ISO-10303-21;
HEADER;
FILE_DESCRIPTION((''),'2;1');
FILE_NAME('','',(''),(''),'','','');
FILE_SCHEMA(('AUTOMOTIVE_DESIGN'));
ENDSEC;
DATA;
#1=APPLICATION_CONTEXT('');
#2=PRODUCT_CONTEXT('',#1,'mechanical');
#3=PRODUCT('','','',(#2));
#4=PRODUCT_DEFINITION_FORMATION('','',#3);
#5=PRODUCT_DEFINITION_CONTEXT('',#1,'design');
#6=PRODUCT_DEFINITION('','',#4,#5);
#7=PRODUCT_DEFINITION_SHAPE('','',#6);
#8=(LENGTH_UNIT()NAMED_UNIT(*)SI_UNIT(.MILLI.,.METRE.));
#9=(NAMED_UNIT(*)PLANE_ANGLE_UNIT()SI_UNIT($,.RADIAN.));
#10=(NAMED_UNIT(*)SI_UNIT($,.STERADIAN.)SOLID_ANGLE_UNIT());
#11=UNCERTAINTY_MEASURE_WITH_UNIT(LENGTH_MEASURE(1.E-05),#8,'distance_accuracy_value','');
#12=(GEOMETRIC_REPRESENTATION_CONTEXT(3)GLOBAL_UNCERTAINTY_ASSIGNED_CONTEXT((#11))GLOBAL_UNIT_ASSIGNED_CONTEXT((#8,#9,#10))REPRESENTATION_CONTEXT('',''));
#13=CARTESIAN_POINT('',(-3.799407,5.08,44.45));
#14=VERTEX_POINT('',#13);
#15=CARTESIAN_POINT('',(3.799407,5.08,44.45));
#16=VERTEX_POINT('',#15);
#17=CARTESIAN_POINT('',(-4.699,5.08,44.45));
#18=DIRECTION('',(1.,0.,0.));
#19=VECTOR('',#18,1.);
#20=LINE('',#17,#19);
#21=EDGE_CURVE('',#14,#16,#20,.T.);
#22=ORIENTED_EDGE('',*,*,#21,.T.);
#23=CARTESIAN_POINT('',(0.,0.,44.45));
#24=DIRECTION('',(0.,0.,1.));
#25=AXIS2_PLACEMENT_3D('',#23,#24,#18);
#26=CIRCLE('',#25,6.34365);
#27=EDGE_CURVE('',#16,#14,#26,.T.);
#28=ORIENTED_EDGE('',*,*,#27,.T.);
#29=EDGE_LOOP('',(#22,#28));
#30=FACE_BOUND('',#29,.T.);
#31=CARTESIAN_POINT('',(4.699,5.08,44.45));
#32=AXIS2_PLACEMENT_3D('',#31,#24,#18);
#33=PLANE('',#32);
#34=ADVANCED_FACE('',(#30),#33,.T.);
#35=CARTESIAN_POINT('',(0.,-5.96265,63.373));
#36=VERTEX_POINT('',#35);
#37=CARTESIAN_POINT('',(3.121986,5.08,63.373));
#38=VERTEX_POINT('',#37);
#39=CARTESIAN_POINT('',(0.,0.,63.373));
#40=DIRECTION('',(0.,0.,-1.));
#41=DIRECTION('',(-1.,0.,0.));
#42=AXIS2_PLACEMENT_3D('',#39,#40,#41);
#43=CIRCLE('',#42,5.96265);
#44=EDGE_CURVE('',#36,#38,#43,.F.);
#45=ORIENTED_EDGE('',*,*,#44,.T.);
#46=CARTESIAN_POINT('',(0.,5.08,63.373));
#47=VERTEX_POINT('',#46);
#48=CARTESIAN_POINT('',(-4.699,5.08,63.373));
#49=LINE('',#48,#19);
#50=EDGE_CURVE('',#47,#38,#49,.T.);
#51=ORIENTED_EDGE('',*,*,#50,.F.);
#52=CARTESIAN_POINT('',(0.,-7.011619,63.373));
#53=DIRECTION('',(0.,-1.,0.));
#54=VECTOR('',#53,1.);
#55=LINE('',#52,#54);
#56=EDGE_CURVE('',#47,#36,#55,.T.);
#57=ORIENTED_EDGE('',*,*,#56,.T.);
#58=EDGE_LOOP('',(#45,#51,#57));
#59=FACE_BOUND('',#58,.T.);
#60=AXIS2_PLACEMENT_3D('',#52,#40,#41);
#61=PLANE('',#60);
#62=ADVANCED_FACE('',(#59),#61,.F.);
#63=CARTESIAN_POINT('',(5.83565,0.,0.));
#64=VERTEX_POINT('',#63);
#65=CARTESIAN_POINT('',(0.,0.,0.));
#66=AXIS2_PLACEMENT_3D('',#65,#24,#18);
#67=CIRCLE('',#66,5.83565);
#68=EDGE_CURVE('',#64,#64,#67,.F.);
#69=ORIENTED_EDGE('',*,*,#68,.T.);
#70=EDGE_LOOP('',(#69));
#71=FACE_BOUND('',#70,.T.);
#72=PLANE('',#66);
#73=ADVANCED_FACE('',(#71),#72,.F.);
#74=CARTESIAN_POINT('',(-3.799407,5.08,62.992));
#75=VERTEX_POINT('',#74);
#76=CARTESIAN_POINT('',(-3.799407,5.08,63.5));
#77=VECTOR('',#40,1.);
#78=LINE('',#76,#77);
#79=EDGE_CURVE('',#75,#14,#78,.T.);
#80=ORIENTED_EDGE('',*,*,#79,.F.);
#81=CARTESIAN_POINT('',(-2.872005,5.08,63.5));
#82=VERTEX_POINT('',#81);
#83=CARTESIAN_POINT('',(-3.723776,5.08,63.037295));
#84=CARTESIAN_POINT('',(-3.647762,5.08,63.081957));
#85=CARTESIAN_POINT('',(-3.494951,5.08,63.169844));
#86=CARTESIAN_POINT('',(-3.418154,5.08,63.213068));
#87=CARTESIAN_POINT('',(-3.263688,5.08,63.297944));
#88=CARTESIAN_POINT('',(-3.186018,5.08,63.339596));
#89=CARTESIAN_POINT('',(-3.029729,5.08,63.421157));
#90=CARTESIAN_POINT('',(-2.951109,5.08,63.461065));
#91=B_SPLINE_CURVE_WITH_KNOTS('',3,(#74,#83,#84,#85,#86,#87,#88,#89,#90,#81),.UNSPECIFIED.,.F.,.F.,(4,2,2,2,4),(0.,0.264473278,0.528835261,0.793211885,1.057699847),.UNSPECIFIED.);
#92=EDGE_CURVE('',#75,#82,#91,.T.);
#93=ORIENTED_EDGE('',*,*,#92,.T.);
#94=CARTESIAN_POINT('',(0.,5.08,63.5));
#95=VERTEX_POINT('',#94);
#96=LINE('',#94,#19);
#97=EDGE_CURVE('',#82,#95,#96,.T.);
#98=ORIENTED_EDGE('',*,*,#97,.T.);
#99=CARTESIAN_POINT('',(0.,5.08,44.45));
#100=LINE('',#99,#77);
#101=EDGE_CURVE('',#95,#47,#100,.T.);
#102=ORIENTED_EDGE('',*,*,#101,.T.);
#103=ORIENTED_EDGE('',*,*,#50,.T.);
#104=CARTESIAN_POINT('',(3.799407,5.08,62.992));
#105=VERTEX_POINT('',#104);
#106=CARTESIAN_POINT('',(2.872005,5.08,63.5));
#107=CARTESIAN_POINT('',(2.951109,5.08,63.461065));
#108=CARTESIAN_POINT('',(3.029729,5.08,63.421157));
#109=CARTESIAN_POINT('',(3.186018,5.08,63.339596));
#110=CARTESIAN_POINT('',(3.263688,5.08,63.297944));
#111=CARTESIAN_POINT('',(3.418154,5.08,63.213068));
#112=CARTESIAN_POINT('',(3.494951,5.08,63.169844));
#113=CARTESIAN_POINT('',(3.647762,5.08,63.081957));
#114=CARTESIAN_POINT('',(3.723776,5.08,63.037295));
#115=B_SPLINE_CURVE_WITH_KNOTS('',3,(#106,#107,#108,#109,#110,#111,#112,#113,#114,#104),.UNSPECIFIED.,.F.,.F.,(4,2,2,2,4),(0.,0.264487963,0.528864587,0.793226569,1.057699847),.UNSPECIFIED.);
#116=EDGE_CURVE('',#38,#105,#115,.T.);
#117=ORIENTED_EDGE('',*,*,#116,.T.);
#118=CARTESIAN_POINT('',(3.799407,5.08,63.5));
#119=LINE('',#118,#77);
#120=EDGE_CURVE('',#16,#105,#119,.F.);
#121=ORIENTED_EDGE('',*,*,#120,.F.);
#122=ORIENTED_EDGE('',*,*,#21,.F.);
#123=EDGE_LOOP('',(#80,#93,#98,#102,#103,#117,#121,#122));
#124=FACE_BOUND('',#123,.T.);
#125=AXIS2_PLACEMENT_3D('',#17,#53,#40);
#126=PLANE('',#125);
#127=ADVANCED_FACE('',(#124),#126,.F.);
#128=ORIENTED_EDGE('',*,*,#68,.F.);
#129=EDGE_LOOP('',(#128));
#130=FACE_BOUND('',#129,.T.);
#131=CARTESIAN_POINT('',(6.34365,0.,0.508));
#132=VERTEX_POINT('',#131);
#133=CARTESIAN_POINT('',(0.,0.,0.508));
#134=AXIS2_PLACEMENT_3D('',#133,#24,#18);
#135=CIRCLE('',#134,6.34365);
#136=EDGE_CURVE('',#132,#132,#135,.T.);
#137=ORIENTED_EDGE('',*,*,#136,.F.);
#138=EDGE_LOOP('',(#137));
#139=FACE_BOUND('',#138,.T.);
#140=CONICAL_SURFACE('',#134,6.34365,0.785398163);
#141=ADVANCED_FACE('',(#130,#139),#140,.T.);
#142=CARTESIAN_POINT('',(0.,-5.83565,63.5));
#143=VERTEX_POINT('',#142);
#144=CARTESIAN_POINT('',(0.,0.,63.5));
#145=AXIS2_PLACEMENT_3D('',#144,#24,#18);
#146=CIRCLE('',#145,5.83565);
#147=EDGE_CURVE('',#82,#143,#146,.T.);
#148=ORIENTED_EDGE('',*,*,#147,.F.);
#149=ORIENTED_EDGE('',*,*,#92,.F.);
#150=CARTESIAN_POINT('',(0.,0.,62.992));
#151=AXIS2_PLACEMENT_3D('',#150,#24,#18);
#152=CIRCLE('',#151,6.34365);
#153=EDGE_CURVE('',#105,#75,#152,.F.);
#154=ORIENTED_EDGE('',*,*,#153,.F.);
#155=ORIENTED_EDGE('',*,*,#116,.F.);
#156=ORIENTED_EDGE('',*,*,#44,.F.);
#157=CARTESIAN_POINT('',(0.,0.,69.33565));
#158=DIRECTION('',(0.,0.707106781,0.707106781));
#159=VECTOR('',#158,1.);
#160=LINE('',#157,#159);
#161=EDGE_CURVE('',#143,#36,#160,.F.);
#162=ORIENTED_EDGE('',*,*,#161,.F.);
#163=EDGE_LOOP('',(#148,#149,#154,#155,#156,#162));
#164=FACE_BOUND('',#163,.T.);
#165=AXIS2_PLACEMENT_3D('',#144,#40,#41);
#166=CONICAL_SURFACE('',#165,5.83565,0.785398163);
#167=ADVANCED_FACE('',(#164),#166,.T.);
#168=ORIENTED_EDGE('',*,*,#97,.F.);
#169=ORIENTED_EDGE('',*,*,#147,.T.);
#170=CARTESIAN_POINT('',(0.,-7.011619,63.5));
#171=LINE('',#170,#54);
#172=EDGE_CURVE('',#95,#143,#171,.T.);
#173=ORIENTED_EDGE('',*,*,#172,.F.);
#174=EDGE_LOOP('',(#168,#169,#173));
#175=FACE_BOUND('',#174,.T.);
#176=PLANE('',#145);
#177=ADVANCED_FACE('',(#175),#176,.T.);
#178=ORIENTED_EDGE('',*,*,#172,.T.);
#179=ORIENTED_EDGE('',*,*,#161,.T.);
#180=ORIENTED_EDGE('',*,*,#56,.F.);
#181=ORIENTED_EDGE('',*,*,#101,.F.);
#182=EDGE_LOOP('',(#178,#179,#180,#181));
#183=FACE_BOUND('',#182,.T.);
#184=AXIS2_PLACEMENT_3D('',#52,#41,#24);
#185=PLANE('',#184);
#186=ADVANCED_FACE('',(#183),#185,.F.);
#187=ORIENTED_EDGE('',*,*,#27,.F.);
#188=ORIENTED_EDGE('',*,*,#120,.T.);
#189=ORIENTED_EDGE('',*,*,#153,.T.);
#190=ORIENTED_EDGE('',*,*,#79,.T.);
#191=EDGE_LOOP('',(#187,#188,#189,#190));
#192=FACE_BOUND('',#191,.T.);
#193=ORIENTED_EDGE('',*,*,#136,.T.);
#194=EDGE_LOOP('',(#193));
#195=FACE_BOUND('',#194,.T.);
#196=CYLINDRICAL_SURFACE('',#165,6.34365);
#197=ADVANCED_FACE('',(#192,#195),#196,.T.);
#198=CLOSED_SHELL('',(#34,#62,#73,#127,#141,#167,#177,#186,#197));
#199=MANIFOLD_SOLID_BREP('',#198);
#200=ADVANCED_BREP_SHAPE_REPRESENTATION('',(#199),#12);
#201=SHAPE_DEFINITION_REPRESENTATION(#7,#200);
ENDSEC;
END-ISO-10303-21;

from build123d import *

# Parameters (mm, degrees)
SKETCH1_R                     = 6.34365
MAIN_SHAFTBOSS_EXTRUDE1_DEPTH = 63.5
SKETCH2_W                     = 9.398
SKETCH2_H                     = 3.175
SHAFT_FLATCUT_EXTRUDE1_DEPTH  = 19.05
CHAMFER1_SIZE                 = 0.508
SKETCH3_W                     = 7.358407373
SKETCH3_H                     = 13.78482206
FACETARGETCUT_EXTRUDE2_DEPTH  = 0.127


with BuildPart() as part:
    # Sketch1 → Main ShaftBoss-Extrude1 (new body)
    with BuildSketch(Plane.XY):
        Circle(SKETCH1_R)
    extrude(amount=MAIN_SHAFTBOSS_EXTRUDE1_DEPTH)

    # Sketch2 → Shaft FlatCut-Extrude1 (cut)
    with BuildSketch(Plane.XY.offset(63.5)):
        with Locations((0, 6.6675)):
            Rectangle(SKETCH2_W, SKETCH2_H)
    extrude(amount=-SHAFT_FLATCUT_EXTRUDE1_DEPTH, mode=Mode.SUBTRACT)

    # Chamfer1
    chamfer1_edges = [part.edges().sort_by_distance(p)[0] for p in [
        (-6.34365, 0, 0),
        (-2.840755677, -5.672036892, 63.5),
    ]]
    chamfer(chamfer1_edges, length=CHAMFER1_SIZE)

    # Sketch3 → FaceTargetCut-Extrude2 (cut)
    with BuildSketch(Plane.XY.offset(63.5)):
        with Locations((3.679203687, -0.119208367)):
            Rectangle(SKETCH3_W, SKETCH3_H)
    extrude(amount=-FACETARGETCUT_EXTRUDE2_DEPTH, mode=Mode.SUBTRACT)


solid = part.part
